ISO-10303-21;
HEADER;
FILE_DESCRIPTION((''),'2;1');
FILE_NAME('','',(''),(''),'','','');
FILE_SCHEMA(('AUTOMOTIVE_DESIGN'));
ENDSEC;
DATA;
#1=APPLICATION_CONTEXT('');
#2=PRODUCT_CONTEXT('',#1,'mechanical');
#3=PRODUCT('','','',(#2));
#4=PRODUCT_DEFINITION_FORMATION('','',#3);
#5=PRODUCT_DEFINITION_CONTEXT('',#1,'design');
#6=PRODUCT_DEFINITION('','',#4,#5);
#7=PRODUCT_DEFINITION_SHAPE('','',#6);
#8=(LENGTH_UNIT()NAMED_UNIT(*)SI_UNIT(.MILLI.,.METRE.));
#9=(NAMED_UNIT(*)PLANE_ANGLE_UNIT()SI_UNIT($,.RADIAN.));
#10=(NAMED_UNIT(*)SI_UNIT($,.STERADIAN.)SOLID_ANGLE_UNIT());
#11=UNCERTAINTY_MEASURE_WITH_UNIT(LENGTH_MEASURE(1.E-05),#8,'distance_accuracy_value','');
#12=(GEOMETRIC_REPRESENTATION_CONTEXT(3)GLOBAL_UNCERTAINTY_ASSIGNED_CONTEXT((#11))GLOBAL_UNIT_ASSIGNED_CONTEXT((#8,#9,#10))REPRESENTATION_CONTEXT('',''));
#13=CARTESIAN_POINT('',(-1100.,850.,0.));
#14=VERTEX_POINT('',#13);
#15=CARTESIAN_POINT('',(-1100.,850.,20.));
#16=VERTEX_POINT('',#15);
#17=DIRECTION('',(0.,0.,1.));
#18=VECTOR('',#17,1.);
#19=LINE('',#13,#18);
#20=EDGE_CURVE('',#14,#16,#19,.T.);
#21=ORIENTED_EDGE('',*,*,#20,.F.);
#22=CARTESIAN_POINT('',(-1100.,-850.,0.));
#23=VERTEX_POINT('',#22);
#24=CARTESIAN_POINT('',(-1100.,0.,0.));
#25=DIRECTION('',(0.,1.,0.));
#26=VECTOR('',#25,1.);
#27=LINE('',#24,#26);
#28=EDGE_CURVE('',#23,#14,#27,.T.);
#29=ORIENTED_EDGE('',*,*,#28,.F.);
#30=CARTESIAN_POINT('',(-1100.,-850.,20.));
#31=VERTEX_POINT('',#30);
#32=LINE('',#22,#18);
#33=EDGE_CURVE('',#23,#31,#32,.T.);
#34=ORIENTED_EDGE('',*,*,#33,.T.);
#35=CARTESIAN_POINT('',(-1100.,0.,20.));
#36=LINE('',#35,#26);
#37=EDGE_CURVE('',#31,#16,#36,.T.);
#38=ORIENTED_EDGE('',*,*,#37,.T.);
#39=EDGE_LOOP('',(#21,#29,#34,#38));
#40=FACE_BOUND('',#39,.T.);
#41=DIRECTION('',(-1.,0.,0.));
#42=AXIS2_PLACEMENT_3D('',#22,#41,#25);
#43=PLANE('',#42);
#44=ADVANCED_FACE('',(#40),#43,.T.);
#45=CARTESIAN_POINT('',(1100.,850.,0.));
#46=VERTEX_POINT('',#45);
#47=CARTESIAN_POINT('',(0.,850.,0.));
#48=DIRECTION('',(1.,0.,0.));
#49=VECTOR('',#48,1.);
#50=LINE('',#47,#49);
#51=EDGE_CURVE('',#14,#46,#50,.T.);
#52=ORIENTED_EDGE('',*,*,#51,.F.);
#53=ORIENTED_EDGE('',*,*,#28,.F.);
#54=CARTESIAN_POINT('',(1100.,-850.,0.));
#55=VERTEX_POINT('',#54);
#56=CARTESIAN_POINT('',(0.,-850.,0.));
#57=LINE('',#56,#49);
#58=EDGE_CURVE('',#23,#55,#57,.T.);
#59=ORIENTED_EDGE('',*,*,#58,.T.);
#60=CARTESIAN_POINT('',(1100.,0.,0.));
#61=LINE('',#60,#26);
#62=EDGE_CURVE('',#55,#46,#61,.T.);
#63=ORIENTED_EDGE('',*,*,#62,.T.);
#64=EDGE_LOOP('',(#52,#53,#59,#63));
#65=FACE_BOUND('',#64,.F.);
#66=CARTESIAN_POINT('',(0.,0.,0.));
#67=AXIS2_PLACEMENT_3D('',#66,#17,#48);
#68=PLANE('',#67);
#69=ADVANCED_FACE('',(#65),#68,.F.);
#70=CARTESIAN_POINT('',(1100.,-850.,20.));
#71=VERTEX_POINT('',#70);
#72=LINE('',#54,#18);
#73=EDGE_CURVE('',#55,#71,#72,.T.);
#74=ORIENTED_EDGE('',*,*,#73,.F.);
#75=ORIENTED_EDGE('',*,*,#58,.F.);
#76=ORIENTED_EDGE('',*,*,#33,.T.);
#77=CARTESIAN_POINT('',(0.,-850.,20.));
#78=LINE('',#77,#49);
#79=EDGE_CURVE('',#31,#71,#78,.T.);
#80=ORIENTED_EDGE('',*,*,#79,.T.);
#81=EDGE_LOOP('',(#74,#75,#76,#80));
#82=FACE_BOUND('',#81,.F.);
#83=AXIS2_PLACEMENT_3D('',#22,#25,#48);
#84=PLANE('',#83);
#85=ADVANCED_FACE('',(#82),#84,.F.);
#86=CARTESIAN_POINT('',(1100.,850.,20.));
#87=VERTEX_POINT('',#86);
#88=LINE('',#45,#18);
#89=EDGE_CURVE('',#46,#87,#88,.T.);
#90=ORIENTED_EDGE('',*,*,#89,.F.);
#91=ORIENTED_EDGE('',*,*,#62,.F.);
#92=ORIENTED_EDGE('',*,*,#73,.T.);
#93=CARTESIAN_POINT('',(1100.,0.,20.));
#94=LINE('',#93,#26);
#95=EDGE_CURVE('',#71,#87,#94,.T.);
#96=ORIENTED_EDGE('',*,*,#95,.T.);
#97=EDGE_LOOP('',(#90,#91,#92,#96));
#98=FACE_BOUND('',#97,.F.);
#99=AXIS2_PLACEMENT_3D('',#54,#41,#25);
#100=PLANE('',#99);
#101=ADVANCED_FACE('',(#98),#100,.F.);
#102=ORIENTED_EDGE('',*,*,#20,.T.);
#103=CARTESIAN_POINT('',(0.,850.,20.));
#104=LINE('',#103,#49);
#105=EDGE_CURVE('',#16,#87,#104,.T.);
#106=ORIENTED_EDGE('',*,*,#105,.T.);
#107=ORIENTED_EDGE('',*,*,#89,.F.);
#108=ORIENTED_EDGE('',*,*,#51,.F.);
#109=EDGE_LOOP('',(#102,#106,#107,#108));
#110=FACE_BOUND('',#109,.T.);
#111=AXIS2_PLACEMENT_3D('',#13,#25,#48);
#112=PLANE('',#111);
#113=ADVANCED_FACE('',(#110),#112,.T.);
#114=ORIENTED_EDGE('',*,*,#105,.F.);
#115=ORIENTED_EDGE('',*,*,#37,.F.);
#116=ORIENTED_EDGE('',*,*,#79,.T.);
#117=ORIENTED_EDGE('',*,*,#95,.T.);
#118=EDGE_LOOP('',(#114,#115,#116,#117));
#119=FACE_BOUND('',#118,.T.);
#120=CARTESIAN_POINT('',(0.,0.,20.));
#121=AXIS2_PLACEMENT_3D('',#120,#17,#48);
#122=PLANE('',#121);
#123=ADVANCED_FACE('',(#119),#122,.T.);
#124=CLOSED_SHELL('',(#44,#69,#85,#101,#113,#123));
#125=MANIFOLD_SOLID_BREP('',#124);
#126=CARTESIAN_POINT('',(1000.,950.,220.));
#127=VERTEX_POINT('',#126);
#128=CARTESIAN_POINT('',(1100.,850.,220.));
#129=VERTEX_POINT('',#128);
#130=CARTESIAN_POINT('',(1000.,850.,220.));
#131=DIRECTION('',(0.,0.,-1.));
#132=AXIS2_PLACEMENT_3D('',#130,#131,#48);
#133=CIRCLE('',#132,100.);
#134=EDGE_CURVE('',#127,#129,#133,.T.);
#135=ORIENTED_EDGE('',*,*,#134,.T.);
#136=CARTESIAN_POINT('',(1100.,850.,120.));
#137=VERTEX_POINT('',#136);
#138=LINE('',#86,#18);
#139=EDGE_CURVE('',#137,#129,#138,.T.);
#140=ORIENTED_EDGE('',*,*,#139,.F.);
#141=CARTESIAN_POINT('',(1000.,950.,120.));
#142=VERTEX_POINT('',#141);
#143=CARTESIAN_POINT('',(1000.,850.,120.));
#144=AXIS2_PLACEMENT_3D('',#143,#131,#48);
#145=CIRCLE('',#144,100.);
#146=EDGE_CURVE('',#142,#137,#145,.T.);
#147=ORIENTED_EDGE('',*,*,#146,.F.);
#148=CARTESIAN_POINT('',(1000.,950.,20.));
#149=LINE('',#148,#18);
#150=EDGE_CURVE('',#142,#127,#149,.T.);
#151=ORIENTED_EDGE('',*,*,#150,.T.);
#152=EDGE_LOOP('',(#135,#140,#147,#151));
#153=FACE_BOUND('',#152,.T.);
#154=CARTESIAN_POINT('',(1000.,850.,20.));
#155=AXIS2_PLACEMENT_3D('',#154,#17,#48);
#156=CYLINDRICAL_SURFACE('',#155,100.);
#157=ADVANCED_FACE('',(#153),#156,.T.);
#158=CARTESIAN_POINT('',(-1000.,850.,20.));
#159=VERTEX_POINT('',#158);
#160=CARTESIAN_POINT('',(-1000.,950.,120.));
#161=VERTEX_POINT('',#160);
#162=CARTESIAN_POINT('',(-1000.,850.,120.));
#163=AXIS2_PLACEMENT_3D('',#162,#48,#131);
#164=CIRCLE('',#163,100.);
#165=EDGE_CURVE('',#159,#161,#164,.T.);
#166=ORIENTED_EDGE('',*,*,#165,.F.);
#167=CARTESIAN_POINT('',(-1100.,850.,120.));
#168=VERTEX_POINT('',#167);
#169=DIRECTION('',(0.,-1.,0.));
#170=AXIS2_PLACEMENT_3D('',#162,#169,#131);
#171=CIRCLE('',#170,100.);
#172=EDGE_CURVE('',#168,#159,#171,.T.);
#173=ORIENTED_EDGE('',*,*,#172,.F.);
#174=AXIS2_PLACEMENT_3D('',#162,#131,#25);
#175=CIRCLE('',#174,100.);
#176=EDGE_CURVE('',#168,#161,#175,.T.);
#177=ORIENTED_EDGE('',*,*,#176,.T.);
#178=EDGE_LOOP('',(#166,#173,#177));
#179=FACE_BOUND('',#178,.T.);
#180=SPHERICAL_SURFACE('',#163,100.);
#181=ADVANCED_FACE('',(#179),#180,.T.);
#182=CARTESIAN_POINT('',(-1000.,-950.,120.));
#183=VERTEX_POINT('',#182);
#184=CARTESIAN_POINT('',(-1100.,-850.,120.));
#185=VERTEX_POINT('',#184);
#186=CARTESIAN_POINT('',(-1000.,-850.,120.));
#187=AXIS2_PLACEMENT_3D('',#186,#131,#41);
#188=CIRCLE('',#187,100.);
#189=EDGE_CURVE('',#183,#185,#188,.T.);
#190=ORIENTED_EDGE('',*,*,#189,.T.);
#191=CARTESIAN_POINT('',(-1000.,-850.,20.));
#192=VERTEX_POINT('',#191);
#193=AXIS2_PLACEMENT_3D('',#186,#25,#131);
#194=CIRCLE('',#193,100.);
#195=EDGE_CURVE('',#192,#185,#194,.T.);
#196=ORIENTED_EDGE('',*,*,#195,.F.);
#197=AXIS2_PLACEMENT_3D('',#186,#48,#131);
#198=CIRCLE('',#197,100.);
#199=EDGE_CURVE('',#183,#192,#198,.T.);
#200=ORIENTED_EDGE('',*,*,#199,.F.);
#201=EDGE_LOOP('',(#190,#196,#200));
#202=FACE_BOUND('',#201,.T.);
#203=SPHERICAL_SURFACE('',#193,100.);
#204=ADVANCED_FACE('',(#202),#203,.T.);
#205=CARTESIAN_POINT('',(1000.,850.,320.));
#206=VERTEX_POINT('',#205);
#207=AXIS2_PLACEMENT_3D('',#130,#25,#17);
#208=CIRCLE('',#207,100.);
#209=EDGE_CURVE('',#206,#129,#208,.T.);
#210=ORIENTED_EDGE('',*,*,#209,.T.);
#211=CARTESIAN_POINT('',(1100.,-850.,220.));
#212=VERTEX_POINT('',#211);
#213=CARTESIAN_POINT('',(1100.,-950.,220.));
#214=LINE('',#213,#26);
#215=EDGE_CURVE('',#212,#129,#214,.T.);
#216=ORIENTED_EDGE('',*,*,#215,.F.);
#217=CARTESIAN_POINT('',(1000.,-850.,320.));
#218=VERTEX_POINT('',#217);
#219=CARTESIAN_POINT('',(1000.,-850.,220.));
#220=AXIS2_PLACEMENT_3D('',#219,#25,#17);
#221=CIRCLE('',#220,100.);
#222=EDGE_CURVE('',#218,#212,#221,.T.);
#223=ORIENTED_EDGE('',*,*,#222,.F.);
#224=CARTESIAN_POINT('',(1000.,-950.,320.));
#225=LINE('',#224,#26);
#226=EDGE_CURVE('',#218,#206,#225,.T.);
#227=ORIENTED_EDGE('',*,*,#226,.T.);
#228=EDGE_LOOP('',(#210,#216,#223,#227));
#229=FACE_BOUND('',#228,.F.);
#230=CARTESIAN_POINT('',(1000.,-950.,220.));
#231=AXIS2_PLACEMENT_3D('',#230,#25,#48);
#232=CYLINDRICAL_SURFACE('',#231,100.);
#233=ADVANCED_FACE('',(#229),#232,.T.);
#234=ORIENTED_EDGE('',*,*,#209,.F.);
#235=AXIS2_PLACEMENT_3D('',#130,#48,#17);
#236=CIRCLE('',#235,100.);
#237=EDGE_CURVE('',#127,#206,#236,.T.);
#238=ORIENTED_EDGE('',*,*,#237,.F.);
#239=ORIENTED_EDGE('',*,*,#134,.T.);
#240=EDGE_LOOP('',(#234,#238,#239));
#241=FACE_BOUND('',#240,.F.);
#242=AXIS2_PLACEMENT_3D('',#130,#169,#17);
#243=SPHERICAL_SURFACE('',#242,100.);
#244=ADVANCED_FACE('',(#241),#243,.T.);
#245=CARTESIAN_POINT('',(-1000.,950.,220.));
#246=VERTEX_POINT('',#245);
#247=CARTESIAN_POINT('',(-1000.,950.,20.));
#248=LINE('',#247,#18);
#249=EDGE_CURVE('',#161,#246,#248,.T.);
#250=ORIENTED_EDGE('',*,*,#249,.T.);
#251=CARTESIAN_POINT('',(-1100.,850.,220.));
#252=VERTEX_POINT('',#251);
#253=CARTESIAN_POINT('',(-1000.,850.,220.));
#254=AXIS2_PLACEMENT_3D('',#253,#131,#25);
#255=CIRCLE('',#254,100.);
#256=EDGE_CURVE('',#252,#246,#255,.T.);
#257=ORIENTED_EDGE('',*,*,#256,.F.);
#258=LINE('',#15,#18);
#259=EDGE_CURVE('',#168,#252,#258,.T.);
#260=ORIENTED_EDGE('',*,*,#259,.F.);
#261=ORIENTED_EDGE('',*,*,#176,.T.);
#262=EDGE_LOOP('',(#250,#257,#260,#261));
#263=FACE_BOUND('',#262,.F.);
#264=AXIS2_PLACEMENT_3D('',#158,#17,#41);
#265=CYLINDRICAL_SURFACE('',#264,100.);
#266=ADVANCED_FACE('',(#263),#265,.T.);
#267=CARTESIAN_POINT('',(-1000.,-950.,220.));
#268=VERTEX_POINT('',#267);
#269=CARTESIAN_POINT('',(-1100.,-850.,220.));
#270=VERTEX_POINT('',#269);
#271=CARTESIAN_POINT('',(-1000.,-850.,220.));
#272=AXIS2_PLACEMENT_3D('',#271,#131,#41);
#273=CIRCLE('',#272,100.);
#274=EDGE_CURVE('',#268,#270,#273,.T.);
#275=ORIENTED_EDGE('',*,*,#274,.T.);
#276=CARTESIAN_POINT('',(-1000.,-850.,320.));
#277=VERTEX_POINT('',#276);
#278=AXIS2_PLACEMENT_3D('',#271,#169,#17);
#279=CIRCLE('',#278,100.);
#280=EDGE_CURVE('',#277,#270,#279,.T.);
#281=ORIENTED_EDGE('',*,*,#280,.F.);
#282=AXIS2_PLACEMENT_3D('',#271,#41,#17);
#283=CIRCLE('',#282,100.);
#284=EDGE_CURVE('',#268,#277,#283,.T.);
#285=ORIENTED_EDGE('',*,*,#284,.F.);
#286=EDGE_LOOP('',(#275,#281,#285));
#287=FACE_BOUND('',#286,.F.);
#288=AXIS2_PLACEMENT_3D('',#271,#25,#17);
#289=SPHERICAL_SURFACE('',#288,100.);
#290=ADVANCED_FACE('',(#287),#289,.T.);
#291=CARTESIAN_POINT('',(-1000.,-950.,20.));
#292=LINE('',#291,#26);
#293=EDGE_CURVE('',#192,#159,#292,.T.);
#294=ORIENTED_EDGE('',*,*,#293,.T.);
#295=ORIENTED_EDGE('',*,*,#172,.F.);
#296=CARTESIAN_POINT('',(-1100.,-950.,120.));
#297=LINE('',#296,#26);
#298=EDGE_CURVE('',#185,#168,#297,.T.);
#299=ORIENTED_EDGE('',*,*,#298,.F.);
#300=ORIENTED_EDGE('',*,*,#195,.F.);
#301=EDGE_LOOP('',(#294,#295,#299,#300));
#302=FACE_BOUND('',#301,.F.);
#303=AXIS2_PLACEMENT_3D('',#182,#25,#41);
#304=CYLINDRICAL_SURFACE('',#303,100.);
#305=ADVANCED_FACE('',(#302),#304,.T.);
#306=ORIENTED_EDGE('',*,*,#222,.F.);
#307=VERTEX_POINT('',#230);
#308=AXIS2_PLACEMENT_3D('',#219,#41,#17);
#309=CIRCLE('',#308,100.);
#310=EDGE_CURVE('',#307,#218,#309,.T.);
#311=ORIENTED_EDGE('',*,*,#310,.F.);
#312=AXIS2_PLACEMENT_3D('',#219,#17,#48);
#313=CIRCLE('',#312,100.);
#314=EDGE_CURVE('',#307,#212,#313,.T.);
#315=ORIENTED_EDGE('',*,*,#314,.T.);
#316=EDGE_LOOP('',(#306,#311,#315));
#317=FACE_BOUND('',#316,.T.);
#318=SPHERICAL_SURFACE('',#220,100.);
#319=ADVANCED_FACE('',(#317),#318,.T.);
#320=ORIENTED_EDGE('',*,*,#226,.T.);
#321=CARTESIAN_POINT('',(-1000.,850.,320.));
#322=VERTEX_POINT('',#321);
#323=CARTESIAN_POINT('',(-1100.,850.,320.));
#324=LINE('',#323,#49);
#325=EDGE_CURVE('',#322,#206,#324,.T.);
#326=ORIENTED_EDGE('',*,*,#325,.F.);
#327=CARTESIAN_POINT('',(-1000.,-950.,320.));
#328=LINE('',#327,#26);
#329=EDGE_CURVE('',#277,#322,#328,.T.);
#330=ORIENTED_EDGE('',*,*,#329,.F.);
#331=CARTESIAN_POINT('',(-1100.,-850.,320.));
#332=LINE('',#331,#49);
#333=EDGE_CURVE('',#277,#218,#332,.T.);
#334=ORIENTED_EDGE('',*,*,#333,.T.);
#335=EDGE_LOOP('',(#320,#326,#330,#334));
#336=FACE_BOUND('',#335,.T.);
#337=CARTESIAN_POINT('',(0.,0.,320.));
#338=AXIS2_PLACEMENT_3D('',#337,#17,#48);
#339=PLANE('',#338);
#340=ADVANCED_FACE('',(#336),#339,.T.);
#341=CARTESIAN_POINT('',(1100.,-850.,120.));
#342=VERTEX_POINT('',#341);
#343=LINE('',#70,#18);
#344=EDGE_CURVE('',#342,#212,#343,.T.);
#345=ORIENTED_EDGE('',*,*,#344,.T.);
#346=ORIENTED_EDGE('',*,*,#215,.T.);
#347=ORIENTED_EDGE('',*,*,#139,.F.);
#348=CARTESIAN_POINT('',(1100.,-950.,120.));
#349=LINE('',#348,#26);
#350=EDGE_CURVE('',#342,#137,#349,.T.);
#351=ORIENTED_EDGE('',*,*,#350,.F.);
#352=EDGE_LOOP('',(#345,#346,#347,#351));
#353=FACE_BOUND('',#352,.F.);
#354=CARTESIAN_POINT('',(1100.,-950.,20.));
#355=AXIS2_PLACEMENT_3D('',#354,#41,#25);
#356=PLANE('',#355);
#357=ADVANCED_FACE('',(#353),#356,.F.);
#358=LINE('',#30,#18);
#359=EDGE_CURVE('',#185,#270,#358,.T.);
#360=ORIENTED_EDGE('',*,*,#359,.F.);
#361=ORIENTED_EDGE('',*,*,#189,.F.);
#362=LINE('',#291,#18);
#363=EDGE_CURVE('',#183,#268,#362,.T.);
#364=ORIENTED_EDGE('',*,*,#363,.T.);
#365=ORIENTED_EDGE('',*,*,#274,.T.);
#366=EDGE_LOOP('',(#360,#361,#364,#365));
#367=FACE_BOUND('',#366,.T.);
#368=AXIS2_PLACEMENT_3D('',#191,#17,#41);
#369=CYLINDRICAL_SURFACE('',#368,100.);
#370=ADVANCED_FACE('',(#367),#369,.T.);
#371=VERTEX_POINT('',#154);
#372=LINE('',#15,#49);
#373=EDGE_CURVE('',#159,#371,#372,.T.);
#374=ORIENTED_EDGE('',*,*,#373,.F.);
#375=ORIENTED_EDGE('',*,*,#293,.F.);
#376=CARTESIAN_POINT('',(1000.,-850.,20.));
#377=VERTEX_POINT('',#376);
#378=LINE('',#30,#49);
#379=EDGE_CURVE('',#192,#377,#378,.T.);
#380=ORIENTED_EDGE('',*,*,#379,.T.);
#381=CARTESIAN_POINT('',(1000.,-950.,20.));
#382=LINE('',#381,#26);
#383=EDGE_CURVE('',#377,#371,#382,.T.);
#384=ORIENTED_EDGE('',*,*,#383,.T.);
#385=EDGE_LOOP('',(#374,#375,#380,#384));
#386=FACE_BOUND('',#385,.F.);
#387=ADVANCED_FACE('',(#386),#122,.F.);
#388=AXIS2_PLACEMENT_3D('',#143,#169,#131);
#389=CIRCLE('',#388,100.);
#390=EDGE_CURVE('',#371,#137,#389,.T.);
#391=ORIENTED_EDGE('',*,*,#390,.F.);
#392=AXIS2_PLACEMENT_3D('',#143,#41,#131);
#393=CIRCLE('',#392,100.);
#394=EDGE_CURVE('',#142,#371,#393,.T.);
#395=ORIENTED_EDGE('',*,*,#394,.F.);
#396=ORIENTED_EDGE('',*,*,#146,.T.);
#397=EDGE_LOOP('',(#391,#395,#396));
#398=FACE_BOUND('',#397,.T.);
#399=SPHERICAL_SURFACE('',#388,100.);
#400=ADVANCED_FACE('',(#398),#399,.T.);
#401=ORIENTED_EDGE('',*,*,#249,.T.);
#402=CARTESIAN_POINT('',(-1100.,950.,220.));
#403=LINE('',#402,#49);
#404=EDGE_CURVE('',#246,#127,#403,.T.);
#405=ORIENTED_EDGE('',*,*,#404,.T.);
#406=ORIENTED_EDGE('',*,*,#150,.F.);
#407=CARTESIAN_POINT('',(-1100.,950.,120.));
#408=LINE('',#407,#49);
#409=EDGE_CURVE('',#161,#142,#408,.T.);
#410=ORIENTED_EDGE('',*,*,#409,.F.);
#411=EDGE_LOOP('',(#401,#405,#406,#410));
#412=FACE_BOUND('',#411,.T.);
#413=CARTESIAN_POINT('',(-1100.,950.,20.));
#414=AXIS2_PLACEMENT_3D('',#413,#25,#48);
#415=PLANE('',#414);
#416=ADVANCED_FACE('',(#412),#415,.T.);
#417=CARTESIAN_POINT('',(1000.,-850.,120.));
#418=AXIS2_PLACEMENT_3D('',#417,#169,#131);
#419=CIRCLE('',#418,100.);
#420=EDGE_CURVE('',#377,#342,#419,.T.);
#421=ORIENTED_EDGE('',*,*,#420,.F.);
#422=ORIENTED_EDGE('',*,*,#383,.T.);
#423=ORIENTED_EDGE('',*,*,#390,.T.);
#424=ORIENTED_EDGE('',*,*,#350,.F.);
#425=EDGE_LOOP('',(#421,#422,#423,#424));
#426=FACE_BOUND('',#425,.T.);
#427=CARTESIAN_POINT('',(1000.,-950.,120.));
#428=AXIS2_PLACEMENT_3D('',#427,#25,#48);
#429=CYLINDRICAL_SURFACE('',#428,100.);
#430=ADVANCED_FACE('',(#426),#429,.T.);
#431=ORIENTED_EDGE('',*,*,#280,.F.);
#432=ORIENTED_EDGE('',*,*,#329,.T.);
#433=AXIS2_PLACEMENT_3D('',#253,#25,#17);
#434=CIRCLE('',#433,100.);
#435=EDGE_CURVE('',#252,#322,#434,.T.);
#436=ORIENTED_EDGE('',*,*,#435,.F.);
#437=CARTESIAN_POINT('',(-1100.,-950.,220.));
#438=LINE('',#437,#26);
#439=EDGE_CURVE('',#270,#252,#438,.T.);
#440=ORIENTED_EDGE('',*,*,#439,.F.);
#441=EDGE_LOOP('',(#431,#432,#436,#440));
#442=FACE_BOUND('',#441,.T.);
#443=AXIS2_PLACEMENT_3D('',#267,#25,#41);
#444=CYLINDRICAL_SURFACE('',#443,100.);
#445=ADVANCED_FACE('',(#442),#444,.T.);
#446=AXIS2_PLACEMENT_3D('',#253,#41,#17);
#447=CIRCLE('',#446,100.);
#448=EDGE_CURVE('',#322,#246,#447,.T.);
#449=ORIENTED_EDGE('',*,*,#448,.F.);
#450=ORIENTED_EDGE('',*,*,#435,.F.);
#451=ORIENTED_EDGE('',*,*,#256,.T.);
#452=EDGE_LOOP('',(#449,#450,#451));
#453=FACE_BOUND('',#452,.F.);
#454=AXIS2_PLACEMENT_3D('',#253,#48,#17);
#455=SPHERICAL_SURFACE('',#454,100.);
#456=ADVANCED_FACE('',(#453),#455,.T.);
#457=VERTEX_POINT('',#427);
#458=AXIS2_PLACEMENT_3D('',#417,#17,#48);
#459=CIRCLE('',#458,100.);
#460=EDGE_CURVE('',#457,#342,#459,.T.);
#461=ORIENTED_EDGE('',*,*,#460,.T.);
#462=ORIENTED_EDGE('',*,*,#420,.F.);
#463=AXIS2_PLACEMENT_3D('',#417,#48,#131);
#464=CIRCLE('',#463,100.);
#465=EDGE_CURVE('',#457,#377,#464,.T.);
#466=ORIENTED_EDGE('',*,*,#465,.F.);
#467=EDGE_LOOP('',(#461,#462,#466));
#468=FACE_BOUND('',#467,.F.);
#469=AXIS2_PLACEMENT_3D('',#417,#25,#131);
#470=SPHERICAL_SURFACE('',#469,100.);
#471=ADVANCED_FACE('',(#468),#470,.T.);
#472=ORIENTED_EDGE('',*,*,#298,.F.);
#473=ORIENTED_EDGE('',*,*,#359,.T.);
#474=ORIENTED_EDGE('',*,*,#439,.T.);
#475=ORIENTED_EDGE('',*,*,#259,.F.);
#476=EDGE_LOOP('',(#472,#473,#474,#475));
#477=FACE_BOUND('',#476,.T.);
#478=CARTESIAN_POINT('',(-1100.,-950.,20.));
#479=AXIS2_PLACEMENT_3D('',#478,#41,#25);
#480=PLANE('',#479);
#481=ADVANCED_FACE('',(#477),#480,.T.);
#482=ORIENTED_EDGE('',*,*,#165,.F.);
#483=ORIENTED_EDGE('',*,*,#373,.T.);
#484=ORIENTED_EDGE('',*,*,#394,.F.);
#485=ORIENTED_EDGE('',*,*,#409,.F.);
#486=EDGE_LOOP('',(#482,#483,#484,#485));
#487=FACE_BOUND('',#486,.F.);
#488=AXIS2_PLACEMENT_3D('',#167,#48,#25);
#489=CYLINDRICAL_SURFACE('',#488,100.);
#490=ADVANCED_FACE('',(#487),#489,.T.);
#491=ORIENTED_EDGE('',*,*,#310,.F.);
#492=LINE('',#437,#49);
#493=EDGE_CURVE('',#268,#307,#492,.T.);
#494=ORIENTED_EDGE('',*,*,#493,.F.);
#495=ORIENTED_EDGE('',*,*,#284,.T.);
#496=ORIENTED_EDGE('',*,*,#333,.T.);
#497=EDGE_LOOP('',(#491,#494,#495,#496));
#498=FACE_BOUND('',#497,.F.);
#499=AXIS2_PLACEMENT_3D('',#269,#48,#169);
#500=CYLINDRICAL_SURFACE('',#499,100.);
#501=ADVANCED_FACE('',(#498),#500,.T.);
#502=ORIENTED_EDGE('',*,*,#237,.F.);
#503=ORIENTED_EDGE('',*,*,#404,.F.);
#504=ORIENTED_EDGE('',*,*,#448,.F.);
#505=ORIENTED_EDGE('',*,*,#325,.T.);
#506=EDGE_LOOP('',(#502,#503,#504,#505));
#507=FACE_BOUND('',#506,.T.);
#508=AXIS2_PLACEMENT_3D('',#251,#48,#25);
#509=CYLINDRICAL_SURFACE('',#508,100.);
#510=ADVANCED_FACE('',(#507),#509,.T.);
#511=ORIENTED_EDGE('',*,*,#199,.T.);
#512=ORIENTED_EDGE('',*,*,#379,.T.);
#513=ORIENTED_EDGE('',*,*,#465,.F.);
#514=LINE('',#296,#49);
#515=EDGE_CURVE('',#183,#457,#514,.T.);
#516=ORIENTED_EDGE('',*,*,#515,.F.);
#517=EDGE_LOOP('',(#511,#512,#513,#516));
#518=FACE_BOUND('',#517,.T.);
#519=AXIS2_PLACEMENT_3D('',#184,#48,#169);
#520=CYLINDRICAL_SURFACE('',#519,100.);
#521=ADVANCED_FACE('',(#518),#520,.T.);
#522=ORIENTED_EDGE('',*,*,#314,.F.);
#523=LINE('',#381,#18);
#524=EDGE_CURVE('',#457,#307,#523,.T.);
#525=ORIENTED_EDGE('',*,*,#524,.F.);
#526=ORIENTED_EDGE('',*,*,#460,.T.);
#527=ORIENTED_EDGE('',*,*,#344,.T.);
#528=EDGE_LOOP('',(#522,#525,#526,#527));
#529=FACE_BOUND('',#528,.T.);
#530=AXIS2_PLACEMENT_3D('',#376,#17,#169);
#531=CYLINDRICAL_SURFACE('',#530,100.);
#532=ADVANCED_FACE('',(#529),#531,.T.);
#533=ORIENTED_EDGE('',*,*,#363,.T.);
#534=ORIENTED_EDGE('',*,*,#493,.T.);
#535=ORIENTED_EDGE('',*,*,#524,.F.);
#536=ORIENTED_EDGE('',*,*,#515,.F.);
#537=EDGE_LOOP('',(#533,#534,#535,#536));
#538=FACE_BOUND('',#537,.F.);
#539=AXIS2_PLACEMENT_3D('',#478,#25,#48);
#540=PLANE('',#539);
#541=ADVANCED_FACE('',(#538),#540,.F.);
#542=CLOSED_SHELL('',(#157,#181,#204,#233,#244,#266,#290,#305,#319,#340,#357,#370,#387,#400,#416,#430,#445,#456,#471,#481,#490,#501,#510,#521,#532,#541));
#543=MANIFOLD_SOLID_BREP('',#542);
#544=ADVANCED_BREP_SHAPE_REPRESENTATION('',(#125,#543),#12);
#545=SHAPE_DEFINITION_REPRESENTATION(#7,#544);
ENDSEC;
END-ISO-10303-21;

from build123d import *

# Parameters (mm, degrees)
F0_W     = 2200
F0_H     = 1700
F1_DEPTH = 20
F2_W     = 2200
F2_H     = 1900
F3_DEPTH = 300
F4_R     = 100


with BuildPart() as f1:
    # F0 (on Top) → F1 (new body)
    with BuildSketch(Plane.XY):
        Rectangle(F0_W, F0_H)
    extrude(amount=F1_DEPTH)


with BuildPart() as f3:
    # F2 (on face) → F3 (new body)
    with BuildSketch(Plane.XY.offset(20)):
        Rectangle(F2_W, F2_H)
    extrude(amount=F3_DEPTH)

    # F4
    f4_edges = [f3.edges().sort_by_distance(p)[0] for p in [
        (1100, 0, 320),
        (0, 950, 320),
        (-1100, 0, 320),
        (0, -950, 320),
        (1100, 0, 20),
        (0, 950, 20),
        (-1100, 0, 20),
        (0, -950, 20),
        (1100, -950, 170),
        (1100, 950, 170),
        (-1100, 950, 170),
        (-1100, -950, 170),
    ]]
    fillet(f4_edges, radius=F4_R)


solid = Compound([f1.part, f3.part])
